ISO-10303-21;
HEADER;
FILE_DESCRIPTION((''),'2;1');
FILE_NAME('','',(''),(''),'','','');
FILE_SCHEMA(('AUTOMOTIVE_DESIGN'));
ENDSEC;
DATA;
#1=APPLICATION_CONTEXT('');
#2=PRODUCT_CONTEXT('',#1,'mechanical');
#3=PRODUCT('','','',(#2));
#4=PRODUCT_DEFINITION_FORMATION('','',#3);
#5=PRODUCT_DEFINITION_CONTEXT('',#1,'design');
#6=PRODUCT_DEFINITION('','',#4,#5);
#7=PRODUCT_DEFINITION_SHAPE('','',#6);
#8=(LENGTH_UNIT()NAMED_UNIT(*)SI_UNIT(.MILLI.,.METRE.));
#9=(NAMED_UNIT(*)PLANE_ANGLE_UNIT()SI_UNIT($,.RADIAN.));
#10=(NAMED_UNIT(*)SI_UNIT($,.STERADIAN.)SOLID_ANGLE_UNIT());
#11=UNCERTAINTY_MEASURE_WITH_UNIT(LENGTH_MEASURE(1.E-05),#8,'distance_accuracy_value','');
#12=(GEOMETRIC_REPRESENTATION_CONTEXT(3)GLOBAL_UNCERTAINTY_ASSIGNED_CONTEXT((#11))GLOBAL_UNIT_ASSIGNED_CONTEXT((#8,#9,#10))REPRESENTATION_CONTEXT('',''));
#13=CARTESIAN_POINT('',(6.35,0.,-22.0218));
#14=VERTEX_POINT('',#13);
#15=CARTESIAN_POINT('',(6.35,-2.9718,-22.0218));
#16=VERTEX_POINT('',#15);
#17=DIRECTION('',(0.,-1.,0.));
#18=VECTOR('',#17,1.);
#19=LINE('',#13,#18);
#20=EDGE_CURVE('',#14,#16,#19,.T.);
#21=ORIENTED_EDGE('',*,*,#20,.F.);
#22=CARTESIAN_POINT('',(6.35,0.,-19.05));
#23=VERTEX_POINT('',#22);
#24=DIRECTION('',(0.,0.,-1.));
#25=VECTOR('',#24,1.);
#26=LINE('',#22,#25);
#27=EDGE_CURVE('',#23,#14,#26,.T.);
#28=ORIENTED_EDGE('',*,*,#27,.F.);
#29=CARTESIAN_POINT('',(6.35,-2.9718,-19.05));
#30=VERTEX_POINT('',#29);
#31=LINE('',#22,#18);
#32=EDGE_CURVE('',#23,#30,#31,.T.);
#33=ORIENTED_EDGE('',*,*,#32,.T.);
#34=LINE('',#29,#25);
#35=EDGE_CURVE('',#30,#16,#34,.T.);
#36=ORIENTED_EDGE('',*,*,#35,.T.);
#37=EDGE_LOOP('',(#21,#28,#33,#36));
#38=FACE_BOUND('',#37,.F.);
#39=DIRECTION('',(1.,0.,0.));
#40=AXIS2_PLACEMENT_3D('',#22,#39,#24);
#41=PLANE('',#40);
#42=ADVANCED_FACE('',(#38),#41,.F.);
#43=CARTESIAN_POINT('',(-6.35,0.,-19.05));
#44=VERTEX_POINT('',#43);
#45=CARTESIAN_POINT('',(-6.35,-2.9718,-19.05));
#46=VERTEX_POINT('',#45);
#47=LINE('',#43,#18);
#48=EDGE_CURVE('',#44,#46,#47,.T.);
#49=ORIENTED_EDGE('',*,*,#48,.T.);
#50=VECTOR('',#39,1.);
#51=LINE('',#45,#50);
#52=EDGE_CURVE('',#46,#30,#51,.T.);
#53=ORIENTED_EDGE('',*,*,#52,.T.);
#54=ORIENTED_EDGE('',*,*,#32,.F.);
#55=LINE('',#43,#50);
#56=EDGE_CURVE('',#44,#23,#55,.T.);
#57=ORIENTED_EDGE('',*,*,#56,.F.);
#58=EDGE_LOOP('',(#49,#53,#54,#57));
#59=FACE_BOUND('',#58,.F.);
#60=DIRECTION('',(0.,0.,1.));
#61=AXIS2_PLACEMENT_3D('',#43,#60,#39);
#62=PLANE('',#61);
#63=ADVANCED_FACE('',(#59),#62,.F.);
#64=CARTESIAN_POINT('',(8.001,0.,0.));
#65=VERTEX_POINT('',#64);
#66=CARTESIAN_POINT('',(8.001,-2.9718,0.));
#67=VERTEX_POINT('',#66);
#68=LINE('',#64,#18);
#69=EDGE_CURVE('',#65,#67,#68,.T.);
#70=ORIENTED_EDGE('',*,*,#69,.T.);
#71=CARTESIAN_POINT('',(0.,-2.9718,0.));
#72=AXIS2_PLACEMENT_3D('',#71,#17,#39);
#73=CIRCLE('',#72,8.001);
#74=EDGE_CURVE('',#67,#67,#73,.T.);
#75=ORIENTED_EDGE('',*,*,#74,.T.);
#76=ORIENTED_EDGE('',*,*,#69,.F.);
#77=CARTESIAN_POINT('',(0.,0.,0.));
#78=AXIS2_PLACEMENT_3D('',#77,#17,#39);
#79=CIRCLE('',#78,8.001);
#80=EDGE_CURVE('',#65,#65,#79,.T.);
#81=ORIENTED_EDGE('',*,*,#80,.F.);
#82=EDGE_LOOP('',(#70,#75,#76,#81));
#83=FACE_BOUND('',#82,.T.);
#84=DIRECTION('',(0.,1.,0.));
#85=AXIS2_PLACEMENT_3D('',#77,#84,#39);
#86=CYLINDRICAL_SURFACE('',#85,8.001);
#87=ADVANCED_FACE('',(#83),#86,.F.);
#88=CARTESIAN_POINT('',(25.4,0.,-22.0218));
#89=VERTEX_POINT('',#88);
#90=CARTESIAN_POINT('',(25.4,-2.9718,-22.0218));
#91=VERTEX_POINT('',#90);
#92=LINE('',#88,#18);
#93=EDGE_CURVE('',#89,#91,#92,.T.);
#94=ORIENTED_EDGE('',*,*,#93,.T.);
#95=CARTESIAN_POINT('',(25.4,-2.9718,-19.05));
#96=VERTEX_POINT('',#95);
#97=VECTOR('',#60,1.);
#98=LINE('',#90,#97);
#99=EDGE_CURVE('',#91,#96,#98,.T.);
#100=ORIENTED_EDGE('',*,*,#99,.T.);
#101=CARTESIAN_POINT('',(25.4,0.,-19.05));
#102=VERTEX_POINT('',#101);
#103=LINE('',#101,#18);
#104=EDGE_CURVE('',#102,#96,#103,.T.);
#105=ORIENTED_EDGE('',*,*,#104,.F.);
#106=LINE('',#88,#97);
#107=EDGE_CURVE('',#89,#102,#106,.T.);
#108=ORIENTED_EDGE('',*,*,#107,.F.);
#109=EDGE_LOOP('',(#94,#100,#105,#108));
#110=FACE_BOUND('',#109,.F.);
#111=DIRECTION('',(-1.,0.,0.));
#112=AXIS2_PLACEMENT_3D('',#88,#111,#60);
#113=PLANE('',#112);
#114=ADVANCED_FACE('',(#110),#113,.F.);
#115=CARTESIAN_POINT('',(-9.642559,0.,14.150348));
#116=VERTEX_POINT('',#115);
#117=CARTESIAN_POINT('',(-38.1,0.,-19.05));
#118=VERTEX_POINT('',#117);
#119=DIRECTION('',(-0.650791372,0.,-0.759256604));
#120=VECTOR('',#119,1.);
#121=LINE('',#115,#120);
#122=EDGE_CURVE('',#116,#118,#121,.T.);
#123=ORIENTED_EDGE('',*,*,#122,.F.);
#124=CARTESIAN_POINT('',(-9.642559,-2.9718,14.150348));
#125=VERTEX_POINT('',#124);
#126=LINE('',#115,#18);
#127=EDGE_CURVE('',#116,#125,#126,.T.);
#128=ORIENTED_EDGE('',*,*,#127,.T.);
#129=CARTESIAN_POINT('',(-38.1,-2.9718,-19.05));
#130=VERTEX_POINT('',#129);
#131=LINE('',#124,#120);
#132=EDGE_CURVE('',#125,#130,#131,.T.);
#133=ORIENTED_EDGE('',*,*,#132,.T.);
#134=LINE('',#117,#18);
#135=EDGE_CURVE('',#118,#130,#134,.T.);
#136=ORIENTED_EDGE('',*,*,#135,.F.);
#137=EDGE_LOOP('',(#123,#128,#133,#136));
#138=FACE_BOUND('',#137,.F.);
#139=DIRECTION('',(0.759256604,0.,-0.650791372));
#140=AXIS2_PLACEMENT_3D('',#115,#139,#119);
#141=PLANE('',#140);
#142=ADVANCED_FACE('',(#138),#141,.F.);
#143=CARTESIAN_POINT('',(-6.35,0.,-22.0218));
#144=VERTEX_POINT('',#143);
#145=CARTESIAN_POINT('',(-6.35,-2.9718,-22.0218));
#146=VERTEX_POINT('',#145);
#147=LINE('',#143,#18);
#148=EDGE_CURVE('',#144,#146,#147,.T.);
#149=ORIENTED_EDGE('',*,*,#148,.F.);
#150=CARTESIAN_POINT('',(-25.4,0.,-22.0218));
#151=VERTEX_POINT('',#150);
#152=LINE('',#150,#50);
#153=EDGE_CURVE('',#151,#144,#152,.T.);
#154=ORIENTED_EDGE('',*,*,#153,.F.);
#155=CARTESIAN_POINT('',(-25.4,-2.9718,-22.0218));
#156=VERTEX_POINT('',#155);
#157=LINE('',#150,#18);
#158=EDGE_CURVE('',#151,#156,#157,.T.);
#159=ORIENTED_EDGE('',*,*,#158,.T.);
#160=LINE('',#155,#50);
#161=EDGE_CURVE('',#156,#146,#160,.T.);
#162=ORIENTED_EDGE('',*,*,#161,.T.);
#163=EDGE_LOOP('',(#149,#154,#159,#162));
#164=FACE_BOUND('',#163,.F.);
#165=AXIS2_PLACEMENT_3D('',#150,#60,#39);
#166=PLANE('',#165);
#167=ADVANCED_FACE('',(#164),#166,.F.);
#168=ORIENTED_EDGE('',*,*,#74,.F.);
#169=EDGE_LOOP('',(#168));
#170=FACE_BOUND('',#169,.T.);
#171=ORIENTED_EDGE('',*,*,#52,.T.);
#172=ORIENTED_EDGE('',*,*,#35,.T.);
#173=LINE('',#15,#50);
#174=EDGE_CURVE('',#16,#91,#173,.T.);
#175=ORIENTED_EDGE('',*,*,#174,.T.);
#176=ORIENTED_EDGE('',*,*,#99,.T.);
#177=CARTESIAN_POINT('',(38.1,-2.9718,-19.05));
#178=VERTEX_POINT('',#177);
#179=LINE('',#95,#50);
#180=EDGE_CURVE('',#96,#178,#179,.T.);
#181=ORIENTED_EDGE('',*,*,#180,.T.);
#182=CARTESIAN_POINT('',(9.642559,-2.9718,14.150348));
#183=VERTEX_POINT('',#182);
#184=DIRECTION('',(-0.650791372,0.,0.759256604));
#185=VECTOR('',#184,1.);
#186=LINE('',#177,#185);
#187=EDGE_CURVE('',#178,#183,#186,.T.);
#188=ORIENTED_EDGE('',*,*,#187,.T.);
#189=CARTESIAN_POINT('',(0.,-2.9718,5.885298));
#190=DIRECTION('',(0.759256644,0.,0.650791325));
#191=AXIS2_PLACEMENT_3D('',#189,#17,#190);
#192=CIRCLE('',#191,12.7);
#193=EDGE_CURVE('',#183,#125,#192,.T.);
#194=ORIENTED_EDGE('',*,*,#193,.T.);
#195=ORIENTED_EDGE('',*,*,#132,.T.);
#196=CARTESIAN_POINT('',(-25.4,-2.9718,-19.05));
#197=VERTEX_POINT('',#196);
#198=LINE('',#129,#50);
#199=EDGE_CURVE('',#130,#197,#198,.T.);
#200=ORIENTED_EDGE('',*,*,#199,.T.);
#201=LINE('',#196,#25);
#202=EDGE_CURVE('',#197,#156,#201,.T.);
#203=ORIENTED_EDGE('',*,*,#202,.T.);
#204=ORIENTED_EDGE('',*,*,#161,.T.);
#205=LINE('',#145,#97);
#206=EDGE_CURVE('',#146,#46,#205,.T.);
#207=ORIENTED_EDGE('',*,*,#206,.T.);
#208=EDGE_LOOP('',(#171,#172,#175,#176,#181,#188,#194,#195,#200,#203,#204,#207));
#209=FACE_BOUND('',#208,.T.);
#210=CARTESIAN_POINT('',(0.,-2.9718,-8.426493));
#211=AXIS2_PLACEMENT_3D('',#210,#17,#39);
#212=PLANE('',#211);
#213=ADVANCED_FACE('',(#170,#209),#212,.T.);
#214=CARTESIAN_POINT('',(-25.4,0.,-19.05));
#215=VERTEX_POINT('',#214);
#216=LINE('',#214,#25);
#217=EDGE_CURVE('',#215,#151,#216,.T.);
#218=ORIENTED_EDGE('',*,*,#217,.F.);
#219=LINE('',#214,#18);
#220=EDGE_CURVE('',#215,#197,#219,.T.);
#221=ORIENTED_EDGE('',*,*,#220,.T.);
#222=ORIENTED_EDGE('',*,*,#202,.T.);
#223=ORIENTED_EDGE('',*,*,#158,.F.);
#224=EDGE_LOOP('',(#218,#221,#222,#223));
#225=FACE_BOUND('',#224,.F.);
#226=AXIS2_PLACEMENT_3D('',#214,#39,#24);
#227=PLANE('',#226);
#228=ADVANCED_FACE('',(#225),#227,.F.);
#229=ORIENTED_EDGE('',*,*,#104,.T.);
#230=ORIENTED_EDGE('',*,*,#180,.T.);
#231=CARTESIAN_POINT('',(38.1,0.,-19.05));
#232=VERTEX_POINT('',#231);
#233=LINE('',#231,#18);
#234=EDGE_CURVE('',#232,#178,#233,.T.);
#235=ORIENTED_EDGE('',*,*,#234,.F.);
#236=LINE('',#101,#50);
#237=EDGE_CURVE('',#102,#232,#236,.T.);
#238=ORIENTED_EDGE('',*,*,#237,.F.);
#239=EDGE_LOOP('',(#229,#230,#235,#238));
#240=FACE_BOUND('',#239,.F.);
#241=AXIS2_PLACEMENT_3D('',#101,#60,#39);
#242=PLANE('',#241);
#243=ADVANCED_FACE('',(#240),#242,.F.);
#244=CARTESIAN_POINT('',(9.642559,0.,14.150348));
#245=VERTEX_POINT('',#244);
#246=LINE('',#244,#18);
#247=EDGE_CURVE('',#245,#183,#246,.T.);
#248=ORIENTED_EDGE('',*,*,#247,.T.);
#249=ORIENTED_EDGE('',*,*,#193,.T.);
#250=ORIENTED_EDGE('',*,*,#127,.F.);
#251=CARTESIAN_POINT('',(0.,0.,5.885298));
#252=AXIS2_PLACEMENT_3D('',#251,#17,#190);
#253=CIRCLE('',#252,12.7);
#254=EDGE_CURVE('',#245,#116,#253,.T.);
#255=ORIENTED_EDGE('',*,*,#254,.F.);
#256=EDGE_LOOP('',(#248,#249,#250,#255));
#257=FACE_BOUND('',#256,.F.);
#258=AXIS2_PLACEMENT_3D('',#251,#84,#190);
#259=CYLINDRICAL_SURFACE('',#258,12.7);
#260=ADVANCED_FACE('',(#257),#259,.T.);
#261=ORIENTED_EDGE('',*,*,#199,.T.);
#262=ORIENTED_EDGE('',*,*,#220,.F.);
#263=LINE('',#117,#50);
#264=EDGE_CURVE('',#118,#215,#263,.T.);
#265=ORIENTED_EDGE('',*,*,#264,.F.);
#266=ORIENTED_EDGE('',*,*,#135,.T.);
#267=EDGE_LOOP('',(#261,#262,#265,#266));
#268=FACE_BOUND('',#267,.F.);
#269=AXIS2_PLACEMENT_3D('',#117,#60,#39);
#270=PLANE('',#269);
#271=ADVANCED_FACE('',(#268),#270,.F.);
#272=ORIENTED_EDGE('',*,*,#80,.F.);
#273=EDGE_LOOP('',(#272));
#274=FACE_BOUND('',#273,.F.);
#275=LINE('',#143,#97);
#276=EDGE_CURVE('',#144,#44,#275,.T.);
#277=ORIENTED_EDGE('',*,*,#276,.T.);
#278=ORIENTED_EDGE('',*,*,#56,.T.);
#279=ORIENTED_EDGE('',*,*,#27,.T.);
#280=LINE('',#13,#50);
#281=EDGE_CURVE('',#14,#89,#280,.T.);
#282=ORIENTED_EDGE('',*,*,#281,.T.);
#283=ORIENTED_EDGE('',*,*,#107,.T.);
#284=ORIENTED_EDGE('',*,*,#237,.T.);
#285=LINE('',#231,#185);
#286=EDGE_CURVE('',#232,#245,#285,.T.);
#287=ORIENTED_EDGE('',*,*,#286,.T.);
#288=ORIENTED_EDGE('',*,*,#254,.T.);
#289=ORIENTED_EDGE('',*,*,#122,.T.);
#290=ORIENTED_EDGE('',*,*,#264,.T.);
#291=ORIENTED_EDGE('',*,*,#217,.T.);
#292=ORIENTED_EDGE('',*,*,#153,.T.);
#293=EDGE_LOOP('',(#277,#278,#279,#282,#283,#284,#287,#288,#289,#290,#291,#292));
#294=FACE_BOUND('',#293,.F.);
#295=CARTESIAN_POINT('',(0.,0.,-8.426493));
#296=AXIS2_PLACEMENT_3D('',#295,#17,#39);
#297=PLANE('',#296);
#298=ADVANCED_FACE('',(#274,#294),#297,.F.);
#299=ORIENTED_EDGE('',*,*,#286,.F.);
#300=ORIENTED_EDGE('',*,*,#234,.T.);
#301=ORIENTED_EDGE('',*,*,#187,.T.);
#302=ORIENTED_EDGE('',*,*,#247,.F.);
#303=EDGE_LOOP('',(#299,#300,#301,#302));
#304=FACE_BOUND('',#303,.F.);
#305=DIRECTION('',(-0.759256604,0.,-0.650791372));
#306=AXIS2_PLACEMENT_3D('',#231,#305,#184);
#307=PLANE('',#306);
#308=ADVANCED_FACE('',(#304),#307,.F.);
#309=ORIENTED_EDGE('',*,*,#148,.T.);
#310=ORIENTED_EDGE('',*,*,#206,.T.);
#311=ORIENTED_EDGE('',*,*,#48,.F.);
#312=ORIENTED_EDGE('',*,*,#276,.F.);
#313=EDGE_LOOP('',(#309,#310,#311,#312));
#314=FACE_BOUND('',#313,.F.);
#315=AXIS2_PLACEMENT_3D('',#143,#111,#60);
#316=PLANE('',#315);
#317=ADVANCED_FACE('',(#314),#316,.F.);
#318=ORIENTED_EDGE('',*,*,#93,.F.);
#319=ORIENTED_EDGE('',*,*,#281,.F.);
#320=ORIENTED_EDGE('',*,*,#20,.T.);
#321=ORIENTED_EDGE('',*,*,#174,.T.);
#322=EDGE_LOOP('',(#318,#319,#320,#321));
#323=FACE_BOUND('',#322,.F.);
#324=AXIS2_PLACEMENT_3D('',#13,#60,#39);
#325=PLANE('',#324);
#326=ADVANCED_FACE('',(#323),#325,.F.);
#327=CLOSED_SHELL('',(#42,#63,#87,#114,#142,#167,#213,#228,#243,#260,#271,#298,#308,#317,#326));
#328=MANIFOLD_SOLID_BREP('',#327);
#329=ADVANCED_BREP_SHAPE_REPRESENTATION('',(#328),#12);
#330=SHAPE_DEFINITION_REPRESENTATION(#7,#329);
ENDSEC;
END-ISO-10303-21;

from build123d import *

# Parameters (mm, degrees)
F0_R     = 8.001
F1_DEPTH = 2.9718


with BuildPart() as f1:
    # F0 (on Front) → F1 (new body)
    with BuildSketch(Plane.XZ):
        with BuildLine():
            Line((-38.1, -19.05), (-25.4, -19.05))
            Line((-25.4, -19.05), (-25.4, -22.0218))
            Line((-25.4, -22.0218), (-6.35, -22.0218))
            Line((-6.35, -22.0218), (-6.35, -19.05))
            Line((-6.35, -19.05), (6.35, -19.05))
            Line((6.35, -19.05), (6.35, -22.0218))
            Line((6.35, -22.0218), (25.4, -22.0218))
            Line((25.4, -22.0218), (25.4, -19.05))
            Line((25.4, -19.05), (38.1, -19.05))
            Line((38.1, -19.05), (9.642559, 14.150348))
            ThreePointArc((9.642559, 14.150348), (0, 18.585298), (-9.642559, 14.150348))
            Line((-9.642559, 14.150348), (-38.1, -19.05))
        make_face()
        Circle(F0_R, mode=Mode.SUBTRACT)
    extrude(amount=F1_DEPTH)


solid = f1.part
